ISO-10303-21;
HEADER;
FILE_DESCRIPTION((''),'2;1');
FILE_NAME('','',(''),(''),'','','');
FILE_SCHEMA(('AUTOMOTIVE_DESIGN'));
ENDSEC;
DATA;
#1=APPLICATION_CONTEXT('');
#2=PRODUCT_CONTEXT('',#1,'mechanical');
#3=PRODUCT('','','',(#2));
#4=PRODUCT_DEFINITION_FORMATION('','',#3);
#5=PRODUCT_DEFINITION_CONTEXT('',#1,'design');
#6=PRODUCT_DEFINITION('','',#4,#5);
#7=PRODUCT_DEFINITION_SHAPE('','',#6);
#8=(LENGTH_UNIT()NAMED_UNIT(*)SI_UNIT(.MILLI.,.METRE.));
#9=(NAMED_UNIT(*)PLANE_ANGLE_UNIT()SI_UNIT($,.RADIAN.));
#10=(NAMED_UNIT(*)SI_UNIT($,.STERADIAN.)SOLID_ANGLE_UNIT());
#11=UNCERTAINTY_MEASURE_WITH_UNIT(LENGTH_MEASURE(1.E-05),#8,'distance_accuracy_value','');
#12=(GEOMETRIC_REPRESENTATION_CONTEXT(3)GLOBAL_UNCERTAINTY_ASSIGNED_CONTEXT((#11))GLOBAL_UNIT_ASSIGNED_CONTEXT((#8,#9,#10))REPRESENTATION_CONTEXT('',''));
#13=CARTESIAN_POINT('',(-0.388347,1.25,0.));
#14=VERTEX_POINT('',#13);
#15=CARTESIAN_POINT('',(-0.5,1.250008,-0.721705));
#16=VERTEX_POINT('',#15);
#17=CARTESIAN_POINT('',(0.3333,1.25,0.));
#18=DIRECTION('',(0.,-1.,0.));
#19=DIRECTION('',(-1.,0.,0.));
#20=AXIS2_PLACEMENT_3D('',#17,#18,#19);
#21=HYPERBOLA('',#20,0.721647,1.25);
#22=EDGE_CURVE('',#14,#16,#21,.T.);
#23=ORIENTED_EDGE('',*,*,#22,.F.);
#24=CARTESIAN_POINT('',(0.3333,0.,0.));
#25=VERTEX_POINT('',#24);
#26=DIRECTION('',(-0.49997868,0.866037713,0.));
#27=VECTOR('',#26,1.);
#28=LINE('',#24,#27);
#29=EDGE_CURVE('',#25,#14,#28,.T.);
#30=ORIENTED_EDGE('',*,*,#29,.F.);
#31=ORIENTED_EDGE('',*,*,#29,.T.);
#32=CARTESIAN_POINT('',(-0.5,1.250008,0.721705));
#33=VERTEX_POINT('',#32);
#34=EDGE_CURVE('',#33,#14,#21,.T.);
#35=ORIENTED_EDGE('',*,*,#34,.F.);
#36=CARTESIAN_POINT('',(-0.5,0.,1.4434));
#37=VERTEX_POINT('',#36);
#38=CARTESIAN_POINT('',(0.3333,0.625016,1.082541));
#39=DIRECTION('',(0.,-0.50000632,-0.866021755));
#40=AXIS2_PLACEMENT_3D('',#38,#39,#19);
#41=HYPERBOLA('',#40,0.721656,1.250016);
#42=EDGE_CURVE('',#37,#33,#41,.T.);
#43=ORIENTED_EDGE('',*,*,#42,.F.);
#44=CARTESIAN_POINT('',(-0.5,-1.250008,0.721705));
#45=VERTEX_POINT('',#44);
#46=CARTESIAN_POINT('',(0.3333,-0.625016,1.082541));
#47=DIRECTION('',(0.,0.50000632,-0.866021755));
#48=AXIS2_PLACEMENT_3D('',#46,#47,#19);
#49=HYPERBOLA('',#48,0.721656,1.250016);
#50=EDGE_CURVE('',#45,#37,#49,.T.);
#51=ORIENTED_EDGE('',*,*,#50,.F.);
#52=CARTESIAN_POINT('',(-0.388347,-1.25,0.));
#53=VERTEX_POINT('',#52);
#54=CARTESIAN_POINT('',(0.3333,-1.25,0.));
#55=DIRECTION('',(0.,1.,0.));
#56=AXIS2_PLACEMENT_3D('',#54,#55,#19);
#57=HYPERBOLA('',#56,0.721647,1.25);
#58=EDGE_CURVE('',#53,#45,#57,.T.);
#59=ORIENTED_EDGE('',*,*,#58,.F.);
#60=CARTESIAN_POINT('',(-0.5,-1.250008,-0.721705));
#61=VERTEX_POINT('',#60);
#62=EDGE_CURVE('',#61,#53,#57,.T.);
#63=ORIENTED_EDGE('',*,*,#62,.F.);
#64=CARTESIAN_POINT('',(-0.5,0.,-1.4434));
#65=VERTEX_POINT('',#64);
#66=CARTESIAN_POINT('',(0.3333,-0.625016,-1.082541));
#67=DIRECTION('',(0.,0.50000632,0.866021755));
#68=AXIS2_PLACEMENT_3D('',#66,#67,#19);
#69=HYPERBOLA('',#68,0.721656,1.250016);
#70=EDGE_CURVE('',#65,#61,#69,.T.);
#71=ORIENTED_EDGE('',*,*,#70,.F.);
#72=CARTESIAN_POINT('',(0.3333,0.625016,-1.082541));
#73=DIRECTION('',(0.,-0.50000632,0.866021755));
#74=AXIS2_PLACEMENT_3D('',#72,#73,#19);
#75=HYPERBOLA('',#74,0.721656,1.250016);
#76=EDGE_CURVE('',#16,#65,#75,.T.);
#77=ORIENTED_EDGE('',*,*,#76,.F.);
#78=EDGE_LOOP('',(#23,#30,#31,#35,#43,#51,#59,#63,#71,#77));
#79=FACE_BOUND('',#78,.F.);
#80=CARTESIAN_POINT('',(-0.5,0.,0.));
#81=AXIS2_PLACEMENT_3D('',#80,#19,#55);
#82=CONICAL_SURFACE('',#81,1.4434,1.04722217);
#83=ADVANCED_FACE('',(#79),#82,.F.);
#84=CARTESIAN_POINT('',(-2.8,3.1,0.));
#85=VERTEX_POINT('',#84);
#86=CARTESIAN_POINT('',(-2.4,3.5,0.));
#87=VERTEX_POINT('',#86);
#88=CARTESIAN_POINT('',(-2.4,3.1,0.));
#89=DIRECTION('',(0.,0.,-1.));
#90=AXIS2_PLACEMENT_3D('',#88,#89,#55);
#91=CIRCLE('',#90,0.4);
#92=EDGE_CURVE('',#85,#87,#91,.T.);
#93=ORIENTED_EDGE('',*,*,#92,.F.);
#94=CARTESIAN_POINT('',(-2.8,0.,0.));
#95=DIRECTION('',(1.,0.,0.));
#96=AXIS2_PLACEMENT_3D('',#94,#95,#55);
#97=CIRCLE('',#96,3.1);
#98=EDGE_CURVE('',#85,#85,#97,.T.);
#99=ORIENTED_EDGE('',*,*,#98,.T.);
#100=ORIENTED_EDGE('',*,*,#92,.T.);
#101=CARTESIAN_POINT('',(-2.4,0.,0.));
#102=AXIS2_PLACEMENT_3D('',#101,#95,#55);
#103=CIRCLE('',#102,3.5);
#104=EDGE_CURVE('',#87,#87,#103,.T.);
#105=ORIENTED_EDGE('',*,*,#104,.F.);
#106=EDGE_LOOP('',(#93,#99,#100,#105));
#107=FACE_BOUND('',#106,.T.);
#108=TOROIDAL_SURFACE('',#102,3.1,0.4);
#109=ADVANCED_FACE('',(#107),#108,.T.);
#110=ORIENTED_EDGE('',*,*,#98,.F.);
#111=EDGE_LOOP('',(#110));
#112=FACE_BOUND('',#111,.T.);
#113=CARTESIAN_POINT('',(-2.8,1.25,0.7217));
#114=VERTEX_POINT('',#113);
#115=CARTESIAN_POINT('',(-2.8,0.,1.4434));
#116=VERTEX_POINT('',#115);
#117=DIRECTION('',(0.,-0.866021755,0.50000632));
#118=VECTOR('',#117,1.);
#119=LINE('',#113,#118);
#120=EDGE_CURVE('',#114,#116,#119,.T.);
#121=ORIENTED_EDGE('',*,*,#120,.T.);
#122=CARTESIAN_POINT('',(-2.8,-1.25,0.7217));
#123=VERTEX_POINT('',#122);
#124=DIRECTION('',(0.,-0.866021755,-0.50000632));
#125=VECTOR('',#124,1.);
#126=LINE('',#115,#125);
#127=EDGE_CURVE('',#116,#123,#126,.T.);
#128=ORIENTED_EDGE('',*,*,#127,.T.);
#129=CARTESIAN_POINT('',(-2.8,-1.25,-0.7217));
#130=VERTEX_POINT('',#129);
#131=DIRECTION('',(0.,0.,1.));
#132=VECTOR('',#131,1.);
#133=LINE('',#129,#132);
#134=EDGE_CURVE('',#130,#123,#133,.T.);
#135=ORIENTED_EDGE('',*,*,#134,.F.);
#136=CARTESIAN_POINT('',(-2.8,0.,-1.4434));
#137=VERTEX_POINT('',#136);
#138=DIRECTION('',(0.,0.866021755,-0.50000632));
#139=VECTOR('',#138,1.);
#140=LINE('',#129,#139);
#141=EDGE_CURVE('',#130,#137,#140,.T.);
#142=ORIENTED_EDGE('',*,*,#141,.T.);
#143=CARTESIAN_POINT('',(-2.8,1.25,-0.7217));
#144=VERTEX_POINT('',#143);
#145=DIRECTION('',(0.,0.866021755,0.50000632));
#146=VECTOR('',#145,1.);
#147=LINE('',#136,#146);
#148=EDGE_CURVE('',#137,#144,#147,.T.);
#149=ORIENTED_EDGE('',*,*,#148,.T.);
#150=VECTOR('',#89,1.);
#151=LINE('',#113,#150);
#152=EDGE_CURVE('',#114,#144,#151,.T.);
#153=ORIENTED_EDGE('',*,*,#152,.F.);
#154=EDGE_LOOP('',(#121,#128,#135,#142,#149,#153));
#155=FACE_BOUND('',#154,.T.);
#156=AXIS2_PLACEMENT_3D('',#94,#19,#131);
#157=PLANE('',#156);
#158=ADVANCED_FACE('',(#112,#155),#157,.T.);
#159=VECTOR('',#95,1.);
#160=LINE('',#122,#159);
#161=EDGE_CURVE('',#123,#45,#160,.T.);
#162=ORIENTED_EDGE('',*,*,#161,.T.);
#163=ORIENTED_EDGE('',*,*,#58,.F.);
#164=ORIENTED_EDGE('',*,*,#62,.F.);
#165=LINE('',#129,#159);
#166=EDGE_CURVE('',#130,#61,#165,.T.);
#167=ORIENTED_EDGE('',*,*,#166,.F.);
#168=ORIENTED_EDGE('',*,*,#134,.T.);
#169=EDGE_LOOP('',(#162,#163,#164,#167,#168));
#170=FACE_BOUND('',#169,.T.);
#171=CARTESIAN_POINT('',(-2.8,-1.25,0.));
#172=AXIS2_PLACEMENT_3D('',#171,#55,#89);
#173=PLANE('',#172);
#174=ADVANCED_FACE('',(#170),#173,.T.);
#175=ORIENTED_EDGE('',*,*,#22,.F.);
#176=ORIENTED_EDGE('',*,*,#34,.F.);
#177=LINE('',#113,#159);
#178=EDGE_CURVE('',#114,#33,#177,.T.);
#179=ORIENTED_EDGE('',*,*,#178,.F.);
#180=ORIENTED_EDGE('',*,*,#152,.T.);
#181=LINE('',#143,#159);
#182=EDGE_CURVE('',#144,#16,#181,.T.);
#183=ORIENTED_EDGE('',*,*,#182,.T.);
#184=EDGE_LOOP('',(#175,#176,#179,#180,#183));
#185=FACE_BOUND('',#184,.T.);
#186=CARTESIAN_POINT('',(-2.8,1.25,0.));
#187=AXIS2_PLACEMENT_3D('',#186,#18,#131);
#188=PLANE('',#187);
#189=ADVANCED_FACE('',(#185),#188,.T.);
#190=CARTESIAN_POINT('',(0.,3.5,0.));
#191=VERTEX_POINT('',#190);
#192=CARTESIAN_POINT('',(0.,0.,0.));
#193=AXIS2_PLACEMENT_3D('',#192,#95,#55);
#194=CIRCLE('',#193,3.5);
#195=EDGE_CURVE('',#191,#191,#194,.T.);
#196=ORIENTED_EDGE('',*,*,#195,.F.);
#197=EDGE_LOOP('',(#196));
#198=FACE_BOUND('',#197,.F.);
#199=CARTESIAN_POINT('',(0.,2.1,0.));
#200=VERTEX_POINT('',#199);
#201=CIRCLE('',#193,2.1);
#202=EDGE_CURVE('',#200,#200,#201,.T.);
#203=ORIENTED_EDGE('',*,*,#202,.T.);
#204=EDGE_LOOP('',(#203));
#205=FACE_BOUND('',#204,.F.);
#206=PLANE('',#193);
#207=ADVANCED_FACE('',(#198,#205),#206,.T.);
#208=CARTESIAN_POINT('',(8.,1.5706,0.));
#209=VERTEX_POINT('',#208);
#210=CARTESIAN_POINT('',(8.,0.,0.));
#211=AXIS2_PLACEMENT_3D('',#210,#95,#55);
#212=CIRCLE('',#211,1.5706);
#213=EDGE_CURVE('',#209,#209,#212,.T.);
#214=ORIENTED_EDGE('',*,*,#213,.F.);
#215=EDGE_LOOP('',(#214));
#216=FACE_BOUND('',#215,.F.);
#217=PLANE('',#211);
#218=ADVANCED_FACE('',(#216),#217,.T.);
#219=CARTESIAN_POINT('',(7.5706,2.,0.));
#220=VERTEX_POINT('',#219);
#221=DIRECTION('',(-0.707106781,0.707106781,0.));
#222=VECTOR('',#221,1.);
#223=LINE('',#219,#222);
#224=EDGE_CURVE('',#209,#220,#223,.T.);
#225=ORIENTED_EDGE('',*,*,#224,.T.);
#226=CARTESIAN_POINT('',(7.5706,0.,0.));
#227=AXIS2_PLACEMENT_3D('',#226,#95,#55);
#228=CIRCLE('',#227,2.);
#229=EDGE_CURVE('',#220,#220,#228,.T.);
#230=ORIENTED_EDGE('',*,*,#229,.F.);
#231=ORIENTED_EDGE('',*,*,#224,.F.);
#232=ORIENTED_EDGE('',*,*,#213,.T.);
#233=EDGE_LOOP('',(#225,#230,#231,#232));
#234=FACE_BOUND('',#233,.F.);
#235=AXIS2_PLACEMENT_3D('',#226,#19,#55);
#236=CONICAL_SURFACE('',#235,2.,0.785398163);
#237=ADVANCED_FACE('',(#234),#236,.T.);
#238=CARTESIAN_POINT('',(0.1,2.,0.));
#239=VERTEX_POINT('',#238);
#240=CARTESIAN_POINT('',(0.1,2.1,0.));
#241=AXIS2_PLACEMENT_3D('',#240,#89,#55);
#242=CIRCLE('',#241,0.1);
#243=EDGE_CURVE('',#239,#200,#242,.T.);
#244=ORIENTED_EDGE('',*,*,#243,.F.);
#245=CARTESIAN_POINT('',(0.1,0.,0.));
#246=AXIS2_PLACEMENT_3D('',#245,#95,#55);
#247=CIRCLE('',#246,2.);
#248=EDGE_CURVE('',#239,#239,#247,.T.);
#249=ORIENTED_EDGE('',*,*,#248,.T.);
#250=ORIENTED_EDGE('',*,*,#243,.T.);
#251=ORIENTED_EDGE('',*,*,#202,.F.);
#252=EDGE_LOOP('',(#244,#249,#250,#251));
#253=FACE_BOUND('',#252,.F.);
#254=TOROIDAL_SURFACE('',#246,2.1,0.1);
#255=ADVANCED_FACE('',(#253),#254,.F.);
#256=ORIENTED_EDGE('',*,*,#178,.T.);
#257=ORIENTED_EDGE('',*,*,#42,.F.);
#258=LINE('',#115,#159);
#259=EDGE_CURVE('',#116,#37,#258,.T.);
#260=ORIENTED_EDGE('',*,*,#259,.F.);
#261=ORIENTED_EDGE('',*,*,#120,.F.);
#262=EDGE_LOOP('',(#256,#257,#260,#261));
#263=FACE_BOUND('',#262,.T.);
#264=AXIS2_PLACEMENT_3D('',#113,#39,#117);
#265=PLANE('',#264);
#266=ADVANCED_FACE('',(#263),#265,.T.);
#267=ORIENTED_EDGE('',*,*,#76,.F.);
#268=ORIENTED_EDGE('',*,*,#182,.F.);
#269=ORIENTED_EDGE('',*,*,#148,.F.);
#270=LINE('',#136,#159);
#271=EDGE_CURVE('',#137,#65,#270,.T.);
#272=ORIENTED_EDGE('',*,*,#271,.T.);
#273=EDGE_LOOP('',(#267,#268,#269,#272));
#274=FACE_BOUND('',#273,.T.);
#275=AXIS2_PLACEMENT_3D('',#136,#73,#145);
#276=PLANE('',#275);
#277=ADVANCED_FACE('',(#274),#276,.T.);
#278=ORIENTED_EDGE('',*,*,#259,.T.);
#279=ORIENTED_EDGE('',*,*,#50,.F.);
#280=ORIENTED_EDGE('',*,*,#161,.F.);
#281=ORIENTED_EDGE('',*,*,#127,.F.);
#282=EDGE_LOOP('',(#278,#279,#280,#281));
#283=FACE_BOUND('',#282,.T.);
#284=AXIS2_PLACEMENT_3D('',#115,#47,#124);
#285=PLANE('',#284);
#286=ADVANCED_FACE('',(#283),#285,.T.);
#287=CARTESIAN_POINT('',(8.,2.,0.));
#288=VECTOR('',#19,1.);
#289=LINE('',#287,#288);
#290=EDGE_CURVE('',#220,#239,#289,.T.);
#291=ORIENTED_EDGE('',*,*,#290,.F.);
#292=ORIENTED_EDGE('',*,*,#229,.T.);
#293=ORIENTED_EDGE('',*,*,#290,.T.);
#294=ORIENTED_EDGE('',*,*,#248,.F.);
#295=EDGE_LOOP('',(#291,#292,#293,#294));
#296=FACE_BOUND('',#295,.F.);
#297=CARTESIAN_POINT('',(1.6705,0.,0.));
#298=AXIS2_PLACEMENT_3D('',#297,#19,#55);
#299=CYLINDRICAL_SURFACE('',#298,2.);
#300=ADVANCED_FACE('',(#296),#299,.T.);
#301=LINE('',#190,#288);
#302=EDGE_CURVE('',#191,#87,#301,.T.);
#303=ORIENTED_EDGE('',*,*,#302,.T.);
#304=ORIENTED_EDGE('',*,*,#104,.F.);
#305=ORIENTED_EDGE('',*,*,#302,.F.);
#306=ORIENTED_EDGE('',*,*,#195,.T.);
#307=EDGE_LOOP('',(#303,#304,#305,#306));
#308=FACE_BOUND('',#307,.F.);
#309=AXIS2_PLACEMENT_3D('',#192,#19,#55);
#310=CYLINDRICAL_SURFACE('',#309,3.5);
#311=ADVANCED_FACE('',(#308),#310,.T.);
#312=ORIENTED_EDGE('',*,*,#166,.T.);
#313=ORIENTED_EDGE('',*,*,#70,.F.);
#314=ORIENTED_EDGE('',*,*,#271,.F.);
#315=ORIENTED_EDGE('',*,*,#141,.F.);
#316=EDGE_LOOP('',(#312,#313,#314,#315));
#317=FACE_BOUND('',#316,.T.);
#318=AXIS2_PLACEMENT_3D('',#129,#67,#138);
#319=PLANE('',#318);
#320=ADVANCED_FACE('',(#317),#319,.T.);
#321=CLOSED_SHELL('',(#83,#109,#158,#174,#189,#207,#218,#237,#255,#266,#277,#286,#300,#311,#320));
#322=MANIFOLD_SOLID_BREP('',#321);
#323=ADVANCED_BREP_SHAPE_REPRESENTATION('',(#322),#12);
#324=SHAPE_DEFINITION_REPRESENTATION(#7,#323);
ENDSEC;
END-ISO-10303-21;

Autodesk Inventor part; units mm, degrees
ref_plane "YZ Plane" through (0, 0, 0) normal (1, 0, 0) x (0, 1, 0)
ref_plane "XZ Plane" through (0, 0, 0) normal (0, 1, 0) x (-1, 0, 0)
sketch "Sketch1" plane through (0, 0, 0) normal (0, 0, 1) x (1, 0, 0)
  line L0 (0.3333, 0) -> (8, 0)
  line L1 (8, 0) -> (8, 2)
  line L2 (8, 2) -> (2.1, 2)
  line L3 (2.1, 2) -> (1.6705, 2)
  line L4 (1.6705, 2) -> (0, 2)
  line L5 (0, 2) -> (0, 3.5)
  line L6 (0, 3.5) -> (-2.8, 3.5)
  line L7 (-2.8, 3.5) -> (-2.8, 1.4434)
  line L8 (-2.8, 1.4434) -> (-0.5, 1.4434)
  line L9 (-0.5, 1.4434) -> (0.3333, 0)
  line L10 (-4.96, 0) -> (10.16, 0) projected
  line L11 (0, -0.7) -> (0, 4.2) projected
  line L12 (2.1, 2) -> (0, 2) construction
  dimension "d1" = 5.9
  dimension "d2" = 0.4295
  dimension "d3" = 2.8
  dimension "d4" = 2.3
  dimension "d5" = 60
  dimension "d6" = 4
  dimension "d7" = 4
  dimension "d8" = 2.8868
  dimension "d9" = 7
  dimension "d26" = 8
revolve "Body" add sketch "Sketch1" angle 360 about axis through (0.3333, 0, 0) along (1, 0, 0) contours L9 L11 L4 L3 L2 L1 L0 | L9 L8 L7 L6 L5 L11
sketch "Sketch2" plane through (-2.8, 0, 0) normal (-1, 0, 0) x (0, 0, 1)
  circle A0 centre (0, 0) radius 1.4434 projected
  line L0 (0, -4.9) -> (0, 4.9) projected
  line L1 (-4.9, 0) -> (4.9, 0) projected
  line L2 (1.4434, 0) -> (0.7217, -1.25)
  line L3 (0.7217, -1.25) -> (-0.7217, -1.25)
  line L4 (-0.7217, -1.25) -> (-1.4434, 0)
  line L5 (-1.4434, 0) -> (-0.7217, 1.25)
  line L6 (-0.7217, 1.25) -> (0.7217, 1.25)
  line L7 (0.7217, 1.25) -> (1.4434, 0)
  point P0 (0, 0)
extrude "Slot" add sketch "Sketch2" against normal up to next contours L7 A0 | A0 L2 | L6 L0 A0 | A0 L0 L3 | L0 L6 A0 | A0 L3 L0 | L4 A0 | A0 L5
fillet "Fillet1" radius 0.4 1 edges at (-2.8, -3.5, 0)
thread "Thread" size "M4x0.7" class "6g" standard "ISO Metric profile" length 5.9
chamfer "Chamfer1" distance 0.4294 distance2 0.4294 1 edges at (8, -2, 0) measured on face at (8, 0.556, 0.0273)
ref_plane "Work Plane1" through (29, 0, 0) normal (0, -1, 0) x (1, 0, 0)
fillet "Fillet2" radius 0.1 1 edges at (0, -2, 0)
equation "\"d30\" = R"
equation "\"d17\" = RR"
equation "\"d13\" = GEL"
equation "\"d15\" = -0.5 * SPD + 0.5 * GD"
equation "\"d16\" = GUL"
equation "\"d1\" = GEL"
equation "\"d3\" = KOH"
equation "\"d4\" = INTI"
equation "\"d6\" = GD"
equation "\"d7\" = BDM"
equation "\"d8\" = 1.1547 * SW"
equation "\"d9\" = KOD"
equation "\"d26\" = NLG"
equation "\"GD\" = NND"
equation "\"NLG\" = 8"
equation "\"GEL\" = 5.9"
equation "\"KOD\" = 7"
equation "\"KOH\" = 2.8"
equation "\"INTI\" = 2.3"
equation "\"GAL\" = 0.61345 * PTC"
equation "\"GUL\" = 0.61345 * PTC"
equation "\"BDM\" = NND"
equation "\"SW\" = 2.5"
equation "\"RR\" = 0.4"
equation "\"SPD\" = NND - 1.2269 * PTC"
equation "\"R\" = 0.1"
equation "\"TOA\" = 30deg"
equation "\"GD1\" = THREADDIA - 1.2269 * PTC"
equation "\"THREADDIA\" = 4"
equation "\"FAWI\" = 45deg"
equation "\"ANG\" = 120deg"
equation "\"PTC\" = 0.7"
equation "\"NND\" = 4"
equation "\"E0\" = 1.155 * SW"
properties part number "DIN 7984 - M4 x 8" material "Steel, Mild"
